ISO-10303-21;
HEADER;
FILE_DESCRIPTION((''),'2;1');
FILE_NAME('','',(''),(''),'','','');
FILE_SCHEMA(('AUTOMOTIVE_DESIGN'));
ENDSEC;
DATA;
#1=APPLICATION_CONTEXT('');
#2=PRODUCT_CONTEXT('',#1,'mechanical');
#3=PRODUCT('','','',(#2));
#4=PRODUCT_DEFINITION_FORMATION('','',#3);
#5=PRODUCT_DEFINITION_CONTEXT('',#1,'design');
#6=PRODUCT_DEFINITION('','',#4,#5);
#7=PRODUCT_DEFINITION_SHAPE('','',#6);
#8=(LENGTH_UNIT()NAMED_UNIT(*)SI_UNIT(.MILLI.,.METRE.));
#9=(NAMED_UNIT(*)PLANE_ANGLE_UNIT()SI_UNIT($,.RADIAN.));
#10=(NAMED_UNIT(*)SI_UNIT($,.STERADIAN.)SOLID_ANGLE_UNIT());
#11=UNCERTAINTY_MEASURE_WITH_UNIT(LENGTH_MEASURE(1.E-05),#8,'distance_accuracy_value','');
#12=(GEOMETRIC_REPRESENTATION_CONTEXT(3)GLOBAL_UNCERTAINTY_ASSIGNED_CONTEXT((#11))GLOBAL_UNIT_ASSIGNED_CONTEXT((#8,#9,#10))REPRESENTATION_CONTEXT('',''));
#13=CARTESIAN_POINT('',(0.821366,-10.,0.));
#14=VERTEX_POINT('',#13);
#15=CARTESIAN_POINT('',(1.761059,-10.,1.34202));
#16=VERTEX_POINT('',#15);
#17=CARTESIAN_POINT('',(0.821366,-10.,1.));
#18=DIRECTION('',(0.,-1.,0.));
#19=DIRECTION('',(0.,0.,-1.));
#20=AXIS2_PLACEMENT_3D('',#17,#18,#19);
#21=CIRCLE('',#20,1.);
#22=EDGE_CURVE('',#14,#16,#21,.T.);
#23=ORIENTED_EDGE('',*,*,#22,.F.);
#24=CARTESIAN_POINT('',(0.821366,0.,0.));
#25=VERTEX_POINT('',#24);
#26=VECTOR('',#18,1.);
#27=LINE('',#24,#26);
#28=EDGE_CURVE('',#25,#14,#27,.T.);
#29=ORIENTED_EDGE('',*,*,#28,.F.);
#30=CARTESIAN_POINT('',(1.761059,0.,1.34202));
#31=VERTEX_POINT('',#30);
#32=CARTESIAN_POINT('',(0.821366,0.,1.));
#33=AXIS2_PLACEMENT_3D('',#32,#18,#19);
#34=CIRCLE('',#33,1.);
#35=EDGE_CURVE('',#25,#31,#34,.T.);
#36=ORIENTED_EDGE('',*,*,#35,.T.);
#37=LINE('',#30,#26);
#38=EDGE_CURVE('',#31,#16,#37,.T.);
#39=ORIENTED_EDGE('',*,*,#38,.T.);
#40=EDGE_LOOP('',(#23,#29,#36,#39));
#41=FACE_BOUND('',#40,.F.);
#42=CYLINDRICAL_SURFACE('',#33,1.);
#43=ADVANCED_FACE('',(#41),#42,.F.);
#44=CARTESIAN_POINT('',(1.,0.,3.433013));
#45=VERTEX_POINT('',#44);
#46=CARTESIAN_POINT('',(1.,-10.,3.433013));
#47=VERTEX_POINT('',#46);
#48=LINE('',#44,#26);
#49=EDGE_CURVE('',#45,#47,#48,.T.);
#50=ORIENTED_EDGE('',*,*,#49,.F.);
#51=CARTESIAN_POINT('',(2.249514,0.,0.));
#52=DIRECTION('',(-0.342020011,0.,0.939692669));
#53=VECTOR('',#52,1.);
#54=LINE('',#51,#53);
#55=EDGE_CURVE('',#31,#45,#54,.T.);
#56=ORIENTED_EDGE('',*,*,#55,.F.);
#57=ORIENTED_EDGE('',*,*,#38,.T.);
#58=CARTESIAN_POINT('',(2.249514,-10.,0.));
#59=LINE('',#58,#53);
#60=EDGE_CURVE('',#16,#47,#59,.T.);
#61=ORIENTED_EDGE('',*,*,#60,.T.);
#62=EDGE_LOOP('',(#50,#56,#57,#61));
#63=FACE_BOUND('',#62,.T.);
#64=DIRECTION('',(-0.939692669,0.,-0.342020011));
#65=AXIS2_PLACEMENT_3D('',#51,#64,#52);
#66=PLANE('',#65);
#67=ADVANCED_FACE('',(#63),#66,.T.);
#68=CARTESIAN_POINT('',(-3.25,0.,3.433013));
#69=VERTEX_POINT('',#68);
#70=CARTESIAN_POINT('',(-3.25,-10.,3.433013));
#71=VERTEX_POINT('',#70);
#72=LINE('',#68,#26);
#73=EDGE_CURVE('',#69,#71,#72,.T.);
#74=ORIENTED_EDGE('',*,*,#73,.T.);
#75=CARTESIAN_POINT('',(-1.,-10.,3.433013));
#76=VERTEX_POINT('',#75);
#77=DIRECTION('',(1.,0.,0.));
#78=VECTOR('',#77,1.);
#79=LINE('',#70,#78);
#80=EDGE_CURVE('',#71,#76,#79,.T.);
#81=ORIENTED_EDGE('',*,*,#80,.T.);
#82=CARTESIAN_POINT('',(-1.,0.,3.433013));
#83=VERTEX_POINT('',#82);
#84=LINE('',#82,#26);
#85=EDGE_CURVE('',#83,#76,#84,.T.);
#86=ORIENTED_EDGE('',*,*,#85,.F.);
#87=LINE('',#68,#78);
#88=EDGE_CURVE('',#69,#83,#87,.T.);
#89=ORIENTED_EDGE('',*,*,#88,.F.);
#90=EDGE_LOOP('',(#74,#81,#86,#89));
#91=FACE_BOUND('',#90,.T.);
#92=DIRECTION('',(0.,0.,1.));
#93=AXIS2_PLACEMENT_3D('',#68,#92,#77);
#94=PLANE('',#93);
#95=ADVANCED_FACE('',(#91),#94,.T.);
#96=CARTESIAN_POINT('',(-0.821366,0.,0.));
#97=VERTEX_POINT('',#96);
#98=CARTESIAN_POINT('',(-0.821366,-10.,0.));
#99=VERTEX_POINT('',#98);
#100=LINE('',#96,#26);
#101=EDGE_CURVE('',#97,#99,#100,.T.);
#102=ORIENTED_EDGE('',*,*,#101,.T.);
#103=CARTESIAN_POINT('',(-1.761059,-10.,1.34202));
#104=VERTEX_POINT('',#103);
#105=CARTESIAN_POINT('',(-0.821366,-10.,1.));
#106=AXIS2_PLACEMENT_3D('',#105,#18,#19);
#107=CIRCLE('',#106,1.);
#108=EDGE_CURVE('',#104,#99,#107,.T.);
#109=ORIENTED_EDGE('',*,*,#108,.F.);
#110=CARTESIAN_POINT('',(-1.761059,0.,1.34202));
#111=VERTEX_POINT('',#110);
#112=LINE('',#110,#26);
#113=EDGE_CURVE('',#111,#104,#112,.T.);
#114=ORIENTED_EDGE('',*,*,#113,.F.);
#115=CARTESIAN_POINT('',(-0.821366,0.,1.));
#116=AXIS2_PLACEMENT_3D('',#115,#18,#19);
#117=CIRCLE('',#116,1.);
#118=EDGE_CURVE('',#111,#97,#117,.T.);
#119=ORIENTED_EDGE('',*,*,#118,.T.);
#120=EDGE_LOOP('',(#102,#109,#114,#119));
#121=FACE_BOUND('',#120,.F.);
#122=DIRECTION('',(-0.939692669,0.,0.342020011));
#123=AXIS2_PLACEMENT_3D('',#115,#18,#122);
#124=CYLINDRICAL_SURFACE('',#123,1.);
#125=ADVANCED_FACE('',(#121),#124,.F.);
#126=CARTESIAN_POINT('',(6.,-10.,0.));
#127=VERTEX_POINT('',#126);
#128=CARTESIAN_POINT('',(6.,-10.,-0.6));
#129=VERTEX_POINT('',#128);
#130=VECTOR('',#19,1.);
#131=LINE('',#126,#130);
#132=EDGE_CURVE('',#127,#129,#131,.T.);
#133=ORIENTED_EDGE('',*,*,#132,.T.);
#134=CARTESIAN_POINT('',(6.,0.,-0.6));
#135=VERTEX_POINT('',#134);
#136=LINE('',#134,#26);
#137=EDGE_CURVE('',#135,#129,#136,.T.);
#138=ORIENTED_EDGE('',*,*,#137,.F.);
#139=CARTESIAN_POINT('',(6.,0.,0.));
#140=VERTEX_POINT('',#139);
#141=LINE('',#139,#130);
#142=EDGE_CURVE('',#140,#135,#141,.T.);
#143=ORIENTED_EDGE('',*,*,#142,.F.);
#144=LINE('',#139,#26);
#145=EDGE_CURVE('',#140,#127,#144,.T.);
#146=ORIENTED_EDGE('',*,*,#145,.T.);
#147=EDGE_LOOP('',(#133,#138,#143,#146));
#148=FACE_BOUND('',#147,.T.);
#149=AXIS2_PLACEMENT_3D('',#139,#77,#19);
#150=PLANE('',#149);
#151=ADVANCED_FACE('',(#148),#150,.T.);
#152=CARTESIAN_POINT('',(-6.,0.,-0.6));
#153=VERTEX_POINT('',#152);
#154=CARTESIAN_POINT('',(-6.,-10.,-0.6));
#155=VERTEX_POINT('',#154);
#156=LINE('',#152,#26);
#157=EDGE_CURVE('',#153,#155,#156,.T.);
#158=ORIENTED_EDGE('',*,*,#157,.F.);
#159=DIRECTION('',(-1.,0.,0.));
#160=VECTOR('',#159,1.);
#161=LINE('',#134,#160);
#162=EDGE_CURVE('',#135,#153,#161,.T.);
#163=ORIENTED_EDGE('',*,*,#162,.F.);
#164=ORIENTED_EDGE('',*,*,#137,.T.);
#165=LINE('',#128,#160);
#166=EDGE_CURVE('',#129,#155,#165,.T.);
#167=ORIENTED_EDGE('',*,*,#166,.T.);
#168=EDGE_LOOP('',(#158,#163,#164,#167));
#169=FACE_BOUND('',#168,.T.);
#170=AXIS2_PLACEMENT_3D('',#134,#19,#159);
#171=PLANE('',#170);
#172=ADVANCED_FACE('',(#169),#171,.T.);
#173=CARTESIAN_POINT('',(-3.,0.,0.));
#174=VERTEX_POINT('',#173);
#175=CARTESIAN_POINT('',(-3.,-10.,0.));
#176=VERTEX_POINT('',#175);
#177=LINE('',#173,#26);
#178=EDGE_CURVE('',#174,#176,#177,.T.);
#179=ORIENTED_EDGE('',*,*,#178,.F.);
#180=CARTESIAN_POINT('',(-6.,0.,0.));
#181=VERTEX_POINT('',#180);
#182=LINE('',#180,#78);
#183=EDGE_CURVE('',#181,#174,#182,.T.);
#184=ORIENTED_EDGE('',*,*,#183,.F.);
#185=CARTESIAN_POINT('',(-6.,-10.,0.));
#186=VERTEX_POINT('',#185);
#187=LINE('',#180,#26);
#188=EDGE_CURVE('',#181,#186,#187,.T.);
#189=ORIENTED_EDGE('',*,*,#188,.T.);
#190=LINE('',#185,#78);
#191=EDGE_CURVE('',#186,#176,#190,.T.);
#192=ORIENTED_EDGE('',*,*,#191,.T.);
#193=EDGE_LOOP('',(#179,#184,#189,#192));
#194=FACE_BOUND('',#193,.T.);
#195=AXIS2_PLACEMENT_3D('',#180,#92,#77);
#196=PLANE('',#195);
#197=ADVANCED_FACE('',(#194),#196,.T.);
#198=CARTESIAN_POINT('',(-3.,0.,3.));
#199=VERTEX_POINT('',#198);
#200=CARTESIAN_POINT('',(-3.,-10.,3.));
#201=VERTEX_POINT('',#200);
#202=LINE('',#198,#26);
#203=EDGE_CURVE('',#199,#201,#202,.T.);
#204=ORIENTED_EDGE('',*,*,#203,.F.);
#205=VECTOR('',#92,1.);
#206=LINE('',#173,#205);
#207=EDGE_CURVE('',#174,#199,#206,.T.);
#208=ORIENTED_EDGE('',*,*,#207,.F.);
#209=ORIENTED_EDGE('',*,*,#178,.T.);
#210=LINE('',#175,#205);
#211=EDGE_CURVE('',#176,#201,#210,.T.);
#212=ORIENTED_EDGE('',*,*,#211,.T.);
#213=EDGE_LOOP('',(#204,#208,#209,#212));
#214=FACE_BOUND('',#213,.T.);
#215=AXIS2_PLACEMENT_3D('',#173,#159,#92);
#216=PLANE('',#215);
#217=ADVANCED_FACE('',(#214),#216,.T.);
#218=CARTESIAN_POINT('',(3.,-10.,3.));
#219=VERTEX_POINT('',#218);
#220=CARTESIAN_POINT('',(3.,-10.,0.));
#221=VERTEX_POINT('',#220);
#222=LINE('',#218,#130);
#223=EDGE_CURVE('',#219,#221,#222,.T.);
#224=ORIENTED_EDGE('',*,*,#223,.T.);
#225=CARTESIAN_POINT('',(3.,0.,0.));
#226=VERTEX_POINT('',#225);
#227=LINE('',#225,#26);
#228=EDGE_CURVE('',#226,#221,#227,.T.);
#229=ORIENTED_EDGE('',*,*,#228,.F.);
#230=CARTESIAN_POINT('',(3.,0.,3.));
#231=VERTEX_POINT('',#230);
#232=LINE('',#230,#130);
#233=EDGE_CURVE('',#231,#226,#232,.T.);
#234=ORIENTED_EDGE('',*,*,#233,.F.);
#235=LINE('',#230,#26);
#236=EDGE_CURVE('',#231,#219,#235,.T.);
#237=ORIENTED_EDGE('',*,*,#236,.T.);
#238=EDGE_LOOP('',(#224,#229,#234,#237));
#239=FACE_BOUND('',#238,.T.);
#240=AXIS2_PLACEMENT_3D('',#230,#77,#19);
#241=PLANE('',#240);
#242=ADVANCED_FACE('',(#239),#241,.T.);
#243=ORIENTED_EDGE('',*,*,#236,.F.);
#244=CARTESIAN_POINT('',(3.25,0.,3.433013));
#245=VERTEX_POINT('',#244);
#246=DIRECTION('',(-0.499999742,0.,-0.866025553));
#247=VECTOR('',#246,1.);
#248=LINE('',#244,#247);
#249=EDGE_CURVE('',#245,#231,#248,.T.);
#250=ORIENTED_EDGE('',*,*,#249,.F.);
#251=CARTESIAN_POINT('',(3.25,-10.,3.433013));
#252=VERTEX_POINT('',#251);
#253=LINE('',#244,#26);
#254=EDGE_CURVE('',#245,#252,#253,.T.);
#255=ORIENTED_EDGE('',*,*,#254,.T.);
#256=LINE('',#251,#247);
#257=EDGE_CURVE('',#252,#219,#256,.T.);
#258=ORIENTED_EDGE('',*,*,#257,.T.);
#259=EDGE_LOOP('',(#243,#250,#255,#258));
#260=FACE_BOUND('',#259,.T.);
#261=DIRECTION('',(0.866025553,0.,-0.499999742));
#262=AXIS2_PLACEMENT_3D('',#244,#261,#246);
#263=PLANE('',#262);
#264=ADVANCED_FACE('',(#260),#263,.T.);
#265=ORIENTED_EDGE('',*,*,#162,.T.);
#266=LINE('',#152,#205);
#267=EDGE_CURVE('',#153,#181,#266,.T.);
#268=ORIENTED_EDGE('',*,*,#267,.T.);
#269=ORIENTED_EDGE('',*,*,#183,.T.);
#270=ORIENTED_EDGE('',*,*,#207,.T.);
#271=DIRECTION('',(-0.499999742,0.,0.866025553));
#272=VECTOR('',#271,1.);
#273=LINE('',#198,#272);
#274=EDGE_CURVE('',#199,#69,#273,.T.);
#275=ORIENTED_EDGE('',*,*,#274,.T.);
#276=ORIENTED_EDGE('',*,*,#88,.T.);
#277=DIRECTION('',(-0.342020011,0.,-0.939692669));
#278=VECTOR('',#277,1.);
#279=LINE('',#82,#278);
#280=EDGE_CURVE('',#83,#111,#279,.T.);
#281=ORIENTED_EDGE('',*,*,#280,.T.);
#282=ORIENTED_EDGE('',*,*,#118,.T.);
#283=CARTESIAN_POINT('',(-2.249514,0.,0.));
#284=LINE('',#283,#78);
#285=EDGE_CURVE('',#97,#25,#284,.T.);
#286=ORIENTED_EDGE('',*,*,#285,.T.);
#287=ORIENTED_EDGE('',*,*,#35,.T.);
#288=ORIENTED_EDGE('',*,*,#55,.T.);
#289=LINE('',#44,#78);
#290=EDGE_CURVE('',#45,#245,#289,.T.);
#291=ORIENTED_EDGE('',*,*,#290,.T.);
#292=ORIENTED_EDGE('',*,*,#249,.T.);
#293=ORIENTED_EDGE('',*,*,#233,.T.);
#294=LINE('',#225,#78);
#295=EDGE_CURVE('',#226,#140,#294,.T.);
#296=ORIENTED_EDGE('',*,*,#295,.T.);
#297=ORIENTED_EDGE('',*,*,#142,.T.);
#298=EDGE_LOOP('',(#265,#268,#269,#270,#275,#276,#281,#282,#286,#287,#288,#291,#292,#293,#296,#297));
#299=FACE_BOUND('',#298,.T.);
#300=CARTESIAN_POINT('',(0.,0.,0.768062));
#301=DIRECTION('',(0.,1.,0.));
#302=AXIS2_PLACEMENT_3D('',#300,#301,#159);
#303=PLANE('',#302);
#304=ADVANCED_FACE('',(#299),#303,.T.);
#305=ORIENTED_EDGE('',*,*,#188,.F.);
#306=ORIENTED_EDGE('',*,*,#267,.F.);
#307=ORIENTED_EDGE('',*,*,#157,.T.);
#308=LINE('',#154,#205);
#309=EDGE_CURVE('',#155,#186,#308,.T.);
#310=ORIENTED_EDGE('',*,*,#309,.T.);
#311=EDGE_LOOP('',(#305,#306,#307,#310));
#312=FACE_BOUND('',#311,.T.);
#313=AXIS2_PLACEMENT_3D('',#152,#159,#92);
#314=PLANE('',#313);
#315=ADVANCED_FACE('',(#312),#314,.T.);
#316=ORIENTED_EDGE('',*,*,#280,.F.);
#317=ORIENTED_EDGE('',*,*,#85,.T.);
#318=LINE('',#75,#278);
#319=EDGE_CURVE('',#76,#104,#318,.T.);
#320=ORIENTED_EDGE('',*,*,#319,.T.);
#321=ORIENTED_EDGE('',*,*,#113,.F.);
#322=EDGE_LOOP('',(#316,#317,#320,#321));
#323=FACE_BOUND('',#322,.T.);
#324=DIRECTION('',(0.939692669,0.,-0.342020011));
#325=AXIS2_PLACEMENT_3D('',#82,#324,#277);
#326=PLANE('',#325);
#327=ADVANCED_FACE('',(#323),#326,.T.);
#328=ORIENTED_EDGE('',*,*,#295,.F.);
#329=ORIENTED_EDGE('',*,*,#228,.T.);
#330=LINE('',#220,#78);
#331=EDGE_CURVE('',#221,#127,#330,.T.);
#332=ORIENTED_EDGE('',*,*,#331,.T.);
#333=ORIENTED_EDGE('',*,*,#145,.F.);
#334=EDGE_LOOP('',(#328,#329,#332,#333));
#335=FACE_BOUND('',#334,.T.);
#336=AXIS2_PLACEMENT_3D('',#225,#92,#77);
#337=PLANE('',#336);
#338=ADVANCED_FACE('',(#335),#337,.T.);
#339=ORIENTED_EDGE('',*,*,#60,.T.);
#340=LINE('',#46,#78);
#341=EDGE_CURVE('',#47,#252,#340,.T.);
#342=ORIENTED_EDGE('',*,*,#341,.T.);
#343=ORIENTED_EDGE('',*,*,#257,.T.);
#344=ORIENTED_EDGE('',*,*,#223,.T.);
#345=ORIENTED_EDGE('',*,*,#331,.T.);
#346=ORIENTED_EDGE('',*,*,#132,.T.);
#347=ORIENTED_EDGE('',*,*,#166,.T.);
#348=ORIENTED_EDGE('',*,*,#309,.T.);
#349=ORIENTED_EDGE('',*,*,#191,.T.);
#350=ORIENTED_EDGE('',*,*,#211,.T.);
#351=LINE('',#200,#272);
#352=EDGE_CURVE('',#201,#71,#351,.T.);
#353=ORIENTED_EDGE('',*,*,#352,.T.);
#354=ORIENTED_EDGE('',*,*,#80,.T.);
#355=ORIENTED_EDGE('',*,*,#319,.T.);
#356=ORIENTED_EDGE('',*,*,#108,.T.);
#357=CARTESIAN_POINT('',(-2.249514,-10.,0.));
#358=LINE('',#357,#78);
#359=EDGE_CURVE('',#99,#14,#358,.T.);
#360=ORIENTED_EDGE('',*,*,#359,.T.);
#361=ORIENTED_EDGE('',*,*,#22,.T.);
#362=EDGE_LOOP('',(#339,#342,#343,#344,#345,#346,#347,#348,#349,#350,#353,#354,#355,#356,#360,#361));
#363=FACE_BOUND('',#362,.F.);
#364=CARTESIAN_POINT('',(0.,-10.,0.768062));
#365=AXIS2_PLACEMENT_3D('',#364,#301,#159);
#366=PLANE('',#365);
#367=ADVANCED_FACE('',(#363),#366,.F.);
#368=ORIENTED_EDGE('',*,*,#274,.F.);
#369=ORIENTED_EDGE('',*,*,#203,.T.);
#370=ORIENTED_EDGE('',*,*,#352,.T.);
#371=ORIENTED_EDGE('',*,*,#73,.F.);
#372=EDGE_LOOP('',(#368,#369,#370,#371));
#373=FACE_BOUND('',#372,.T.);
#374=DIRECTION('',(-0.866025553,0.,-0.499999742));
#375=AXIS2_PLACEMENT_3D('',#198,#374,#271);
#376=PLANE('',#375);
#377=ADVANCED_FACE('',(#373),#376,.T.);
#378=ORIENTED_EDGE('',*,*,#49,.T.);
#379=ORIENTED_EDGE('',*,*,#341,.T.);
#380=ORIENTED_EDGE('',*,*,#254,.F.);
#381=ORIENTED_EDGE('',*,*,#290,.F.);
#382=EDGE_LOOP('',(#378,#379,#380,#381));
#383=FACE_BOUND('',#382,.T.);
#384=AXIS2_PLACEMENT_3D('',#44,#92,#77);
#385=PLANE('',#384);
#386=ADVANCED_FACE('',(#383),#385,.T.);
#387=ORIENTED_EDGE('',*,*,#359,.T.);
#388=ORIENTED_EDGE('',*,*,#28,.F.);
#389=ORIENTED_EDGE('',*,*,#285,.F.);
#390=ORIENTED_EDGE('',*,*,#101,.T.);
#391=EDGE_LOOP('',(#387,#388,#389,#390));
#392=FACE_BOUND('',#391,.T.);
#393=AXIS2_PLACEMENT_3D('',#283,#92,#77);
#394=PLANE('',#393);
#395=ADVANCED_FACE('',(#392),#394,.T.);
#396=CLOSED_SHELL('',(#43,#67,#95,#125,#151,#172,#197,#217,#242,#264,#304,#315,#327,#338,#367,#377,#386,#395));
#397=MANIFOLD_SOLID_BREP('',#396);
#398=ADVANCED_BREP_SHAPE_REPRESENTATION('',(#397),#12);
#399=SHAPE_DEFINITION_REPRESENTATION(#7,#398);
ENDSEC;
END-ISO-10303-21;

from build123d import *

# Parameters (mm, degrees)
PAD_DEPTH = 10
FILLET_R  = 1


with BuildPart() as part:
    # Sketch → Pad (new body)
    with BuildSketch(Plane.XZ):
        Polygon((-3, 0), (-3, 3), (-3.25, 3.433013), (-1, 3.433013), (-2.249514, 0), (2.249514, 0), (1, 3.433013), (3.25, 3.433013), (3, 3), (3, 0), (6, 0), (6, -0.6), (-6, -0.6), (-6, 0), align=None)
    extrude(amount=PAD_DEPTH)

    # Fillet
    fillet_edges = [part.edges().sort_by_distance(p)[0] for p in [
        (-2.249514, -5, 0),
        (2.249514, -5, 0),
    ]]
    fillet(fillet_edges, radius=FILLET_R)


solid = part.part
